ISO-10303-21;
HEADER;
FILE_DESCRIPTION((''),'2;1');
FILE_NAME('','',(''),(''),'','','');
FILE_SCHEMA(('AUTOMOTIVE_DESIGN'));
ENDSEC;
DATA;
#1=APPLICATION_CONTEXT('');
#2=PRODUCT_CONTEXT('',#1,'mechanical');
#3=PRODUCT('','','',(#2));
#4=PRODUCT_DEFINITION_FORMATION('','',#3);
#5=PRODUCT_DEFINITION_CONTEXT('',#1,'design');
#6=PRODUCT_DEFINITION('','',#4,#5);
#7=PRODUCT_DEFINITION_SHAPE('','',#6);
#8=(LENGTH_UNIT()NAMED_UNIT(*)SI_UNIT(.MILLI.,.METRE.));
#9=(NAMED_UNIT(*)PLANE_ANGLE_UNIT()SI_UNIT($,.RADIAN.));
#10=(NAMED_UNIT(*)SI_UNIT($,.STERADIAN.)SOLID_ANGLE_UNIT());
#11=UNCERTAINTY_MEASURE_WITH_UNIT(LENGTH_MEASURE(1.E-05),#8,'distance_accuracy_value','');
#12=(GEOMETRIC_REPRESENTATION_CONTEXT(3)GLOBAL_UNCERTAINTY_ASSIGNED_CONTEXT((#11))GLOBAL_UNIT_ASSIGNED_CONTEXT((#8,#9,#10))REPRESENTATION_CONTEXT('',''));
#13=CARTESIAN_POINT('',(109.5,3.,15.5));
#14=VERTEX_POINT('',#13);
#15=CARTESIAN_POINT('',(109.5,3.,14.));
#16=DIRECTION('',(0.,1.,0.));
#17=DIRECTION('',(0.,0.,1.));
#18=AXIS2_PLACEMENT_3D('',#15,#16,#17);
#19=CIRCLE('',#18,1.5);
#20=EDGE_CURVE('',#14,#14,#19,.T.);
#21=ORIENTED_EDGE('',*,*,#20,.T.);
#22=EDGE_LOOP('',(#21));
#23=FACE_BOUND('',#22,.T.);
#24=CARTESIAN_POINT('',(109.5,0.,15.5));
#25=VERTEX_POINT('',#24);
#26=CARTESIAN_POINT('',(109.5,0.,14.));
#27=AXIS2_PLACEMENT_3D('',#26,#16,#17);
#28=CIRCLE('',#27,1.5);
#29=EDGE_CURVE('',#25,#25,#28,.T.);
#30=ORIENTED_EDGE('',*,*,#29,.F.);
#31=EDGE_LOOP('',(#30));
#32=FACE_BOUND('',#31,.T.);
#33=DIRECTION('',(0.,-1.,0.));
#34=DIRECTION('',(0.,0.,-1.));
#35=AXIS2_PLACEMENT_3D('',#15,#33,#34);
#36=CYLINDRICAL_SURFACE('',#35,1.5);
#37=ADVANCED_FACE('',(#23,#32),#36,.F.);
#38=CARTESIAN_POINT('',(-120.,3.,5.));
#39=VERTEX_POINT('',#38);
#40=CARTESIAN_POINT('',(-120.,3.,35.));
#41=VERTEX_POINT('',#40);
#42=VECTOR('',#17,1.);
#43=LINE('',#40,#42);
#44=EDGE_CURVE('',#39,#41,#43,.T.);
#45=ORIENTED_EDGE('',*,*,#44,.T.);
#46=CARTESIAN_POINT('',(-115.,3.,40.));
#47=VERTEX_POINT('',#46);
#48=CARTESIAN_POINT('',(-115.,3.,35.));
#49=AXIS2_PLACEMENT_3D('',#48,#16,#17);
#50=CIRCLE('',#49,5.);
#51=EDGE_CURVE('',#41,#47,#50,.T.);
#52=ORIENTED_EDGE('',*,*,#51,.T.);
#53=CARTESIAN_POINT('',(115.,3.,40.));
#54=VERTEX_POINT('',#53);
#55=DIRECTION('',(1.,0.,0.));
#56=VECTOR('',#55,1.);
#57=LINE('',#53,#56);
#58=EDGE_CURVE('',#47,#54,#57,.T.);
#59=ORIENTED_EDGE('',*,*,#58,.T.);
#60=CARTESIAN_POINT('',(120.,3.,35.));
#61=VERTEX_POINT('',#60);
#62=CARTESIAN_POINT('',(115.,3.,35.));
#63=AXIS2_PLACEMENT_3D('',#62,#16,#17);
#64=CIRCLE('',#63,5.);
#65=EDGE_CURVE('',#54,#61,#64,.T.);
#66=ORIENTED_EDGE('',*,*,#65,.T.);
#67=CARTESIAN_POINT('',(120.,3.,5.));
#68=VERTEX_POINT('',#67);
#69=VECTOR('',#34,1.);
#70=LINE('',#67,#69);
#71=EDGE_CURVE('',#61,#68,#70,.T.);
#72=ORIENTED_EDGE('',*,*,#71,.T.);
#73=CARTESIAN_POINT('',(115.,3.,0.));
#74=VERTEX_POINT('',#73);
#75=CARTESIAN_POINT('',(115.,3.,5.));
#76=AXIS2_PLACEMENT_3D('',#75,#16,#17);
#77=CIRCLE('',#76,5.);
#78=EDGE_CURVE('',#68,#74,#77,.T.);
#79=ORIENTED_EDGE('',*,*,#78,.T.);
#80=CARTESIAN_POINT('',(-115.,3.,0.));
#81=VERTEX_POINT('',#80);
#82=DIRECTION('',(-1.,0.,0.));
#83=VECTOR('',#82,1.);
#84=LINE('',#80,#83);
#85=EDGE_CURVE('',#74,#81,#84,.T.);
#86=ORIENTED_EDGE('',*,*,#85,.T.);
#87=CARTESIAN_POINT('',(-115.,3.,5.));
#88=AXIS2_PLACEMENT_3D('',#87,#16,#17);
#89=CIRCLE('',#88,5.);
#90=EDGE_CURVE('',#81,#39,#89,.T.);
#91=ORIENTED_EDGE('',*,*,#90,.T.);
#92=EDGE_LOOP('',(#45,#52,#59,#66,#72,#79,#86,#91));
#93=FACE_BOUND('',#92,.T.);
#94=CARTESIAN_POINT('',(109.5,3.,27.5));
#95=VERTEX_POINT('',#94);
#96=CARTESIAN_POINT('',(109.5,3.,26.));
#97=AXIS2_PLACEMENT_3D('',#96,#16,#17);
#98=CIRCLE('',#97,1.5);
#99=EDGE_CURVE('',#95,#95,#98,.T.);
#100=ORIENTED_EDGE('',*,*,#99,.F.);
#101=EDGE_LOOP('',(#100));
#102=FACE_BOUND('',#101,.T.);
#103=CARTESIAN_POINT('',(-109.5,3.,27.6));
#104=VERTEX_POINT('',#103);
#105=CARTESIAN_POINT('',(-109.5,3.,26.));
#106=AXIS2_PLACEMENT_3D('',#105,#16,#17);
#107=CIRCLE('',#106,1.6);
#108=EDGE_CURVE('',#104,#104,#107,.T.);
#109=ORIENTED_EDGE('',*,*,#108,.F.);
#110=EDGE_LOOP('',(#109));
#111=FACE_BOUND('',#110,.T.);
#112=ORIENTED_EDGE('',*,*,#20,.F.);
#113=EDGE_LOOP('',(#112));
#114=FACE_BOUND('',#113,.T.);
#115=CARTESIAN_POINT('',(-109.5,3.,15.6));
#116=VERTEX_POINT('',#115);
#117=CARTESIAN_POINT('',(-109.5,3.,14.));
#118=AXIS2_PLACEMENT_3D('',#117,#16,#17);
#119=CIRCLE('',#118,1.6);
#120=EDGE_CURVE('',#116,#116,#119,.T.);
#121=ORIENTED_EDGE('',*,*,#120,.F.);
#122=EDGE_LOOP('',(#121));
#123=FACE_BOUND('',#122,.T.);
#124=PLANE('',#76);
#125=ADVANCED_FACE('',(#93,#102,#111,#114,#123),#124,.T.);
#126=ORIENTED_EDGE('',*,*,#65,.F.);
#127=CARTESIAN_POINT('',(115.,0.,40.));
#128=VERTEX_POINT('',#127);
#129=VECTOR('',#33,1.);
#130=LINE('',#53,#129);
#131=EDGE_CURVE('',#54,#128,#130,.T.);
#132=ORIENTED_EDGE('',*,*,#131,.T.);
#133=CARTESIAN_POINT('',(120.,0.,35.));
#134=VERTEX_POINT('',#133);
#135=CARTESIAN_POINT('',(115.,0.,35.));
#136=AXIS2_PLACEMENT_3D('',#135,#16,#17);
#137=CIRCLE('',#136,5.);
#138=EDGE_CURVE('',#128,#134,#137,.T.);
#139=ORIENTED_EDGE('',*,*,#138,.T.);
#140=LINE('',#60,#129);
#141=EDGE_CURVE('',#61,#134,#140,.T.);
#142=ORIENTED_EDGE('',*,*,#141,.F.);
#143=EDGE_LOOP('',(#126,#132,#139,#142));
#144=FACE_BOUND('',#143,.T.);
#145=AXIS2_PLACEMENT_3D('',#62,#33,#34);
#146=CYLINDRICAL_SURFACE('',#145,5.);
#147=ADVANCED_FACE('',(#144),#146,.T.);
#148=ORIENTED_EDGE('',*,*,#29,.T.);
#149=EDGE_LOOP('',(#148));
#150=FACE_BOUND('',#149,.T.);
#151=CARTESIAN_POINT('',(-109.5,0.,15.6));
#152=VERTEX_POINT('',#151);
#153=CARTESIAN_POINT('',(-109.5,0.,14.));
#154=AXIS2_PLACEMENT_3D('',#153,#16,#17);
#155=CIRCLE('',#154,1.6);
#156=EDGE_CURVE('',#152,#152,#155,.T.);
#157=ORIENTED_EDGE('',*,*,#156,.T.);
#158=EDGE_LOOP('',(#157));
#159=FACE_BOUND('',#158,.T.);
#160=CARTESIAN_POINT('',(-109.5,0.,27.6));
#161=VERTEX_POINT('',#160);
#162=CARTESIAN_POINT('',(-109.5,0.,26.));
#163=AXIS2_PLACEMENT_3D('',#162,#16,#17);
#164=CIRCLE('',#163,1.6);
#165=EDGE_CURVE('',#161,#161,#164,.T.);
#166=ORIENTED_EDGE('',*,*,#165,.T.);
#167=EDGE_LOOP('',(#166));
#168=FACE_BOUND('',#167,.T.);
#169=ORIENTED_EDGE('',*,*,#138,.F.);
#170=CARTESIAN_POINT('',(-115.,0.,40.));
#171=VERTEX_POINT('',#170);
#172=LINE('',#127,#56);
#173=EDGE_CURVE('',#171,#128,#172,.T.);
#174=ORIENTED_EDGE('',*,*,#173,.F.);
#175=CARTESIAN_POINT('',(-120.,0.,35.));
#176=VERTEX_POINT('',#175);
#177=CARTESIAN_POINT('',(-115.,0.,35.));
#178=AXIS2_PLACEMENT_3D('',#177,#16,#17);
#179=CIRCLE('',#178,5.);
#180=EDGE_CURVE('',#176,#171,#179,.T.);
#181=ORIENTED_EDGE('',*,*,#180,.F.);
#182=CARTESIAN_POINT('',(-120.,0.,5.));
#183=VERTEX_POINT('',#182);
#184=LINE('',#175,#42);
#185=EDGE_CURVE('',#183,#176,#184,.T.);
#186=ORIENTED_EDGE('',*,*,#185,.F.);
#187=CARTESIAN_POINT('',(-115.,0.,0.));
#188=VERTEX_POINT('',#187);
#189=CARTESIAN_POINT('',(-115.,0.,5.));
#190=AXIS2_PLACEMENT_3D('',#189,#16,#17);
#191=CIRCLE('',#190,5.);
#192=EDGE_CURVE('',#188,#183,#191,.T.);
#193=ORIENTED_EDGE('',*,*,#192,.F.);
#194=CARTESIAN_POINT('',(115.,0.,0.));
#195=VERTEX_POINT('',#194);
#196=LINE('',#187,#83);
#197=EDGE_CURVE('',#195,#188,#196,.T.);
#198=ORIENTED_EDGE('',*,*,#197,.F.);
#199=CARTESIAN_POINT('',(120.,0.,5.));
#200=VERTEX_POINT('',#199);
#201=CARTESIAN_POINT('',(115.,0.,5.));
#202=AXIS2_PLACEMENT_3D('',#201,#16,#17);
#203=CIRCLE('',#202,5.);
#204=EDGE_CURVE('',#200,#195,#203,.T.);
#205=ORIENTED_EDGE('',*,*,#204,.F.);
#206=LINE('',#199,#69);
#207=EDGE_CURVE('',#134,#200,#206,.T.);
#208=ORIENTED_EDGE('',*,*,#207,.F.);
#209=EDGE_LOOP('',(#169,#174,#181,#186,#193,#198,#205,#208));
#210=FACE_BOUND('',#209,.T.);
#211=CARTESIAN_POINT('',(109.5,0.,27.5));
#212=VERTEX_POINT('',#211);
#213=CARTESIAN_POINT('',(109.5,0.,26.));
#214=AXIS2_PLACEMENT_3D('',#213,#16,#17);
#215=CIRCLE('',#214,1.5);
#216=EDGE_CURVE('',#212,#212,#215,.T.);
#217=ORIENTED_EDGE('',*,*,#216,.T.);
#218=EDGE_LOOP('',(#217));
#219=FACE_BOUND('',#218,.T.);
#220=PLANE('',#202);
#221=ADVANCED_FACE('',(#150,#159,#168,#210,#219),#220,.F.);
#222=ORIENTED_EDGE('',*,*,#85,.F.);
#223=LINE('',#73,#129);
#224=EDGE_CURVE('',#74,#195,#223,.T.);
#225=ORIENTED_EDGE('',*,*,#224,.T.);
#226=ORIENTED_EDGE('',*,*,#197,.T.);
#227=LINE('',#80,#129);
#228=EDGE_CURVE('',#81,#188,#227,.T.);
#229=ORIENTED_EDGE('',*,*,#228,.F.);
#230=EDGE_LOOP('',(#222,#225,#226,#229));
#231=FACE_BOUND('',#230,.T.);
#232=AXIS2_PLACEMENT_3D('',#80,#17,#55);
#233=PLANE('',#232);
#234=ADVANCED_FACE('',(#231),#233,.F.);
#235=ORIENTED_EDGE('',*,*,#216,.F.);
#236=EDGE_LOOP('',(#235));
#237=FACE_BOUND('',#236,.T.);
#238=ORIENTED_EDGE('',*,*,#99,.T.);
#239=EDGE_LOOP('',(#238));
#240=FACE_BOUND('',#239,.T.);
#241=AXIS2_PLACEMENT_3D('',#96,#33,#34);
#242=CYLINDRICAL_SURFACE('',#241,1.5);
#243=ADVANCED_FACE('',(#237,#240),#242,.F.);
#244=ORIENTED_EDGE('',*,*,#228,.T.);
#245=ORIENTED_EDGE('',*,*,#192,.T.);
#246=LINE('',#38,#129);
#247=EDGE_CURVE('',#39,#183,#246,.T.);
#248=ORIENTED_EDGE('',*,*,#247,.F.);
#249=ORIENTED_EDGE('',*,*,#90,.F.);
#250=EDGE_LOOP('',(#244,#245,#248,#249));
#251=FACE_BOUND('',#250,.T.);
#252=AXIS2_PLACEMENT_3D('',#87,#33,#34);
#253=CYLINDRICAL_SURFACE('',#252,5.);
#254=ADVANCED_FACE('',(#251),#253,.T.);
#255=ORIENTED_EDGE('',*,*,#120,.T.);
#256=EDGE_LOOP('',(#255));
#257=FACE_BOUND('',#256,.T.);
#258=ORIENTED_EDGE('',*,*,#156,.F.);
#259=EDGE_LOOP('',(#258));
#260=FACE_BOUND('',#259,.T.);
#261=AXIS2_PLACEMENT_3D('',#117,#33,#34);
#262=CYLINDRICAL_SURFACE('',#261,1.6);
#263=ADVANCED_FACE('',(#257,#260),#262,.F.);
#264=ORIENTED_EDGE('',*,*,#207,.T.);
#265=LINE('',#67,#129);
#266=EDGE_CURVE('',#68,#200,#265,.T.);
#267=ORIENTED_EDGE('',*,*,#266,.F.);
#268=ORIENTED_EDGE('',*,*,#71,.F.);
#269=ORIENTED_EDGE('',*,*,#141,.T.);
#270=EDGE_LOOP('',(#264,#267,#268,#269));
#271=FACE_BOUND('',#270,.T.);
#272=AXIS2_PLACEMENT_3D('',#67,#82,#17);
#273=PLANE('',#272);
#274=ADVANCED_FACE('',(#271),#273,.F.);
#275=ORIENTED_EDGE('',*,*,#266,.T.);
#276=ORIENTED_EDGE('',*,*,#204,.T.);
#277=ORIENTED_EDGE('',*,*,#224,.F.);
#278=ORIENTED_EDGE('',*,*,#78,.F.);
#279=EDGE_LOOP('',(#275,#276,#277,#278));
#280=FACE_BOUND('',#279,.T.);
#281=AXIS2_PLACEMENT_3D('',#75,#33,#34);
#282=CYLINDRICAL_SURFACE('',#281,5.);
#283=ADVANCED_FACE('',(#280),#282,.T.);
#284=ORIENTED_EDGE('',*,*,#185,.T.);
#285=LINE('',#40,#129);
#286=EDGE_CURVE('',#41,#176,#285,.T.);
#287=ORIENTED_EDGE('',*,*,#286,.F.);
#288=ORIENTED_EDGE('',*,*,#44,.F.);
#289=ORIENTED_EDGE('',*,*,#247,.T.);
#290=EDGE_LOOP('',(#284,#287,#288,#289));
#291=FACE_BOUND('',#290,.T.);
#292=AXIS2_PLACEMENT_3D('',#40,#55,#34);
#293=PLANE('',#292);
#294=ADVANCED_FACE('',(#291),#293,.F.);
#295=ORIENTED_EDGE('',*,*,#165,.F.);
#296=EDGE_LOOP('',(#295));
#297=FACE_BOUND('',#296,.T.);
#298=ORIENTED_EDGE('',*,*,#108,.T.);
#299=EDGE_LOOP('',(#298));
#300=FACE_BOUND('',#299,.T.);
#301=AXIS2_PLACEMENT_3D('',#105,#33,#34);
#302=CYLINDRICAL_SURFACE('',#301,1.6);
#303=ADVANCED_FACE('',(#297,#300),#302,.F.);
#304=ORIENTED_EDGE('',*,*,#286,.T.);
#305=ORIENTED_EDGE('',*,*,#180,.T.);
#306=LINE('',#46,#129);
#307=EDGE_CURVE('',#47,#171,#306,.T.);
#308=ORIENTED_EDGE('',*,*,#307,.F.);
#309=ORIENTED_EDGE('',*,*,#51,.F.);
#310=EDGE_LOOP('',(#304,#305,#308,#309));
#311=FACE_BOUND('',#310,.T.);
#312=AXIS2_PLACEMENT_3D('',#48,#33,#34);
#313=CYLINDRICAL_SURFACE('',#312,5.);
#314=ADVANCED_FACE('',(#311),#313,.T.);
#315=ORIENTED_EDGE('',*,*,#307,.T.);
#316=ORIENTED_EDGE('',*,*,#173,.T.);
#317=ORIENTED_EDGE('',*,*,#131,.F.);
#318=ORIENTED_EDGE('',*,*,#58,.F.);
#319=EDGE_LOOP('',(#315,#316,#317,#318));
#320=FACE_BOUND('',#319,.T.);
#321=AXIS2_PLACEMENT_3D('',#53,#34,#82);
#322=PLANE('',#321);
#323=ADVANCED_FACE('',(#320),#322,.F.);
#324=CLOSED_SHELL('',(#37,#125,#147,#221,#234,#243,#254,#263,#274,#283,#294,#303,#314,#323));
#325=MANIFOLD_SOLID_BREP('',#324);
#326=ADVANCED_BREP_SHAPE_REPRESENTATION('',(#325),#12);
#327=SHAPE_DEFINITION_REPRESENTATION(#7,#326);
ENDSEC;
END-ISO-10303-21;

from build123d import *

# Parameters (mm, degrees)
SKETCH_1_R      = 1.6
SKETCH_1_R_2    = 1.5
EXTRUDE_1_DEPTH = 3


with BuildPart() as part:
    # 草图1 → 凸台-拉伸1 (new body)
    with BuildSketch(Plane(origin=(0, 0, 0), x_dir=(1, 0, 0), z_dir=(0, 1, 0))):
        with BuildLine():
            Line((-115, 0), (115, 0))
            ThreePointArc((115, 0), (118.535533906, -1.464466094), (120, -5))
            Line((120, -5), (120, -35))
            ThreePointArc((120, -35), (118.535533906, -38.535533906), (115, -40))
            Line((115, -40), (-115, -40))
            ThreePointArc((-115, -40), (-118.535533906, -38.535533906), (-120, -35))
            Line((-120, -35), (-120, -5))
            ThreePointArc((-120, -5), (-118.535533906, -1.464466094), (-115, 0))
        make_face()
        with Locations(Location((-109.5, -26, 0), (0, 0, 270))):
            Circle(SKETCH_1_R, mode=Mode.SUBTRACT)
        with Locations(Location((109.5, -14, 0), (0, 0, 270))):
            Circle(SKETCH_1_R_2, mode=Mode.SUBTRACT)
        with Locations(Location((109.5, -26, 0), (0, 0, 270))):
            Circle(SKETCH_1_R_2, mode=Mode.SUBTRACT)
        with Locations(Location((-109.5, -14, 0), (0, 0, 270))):
            Circle(SKETCH_1_R, mode=Mode.SUBTRACT)
    extrude(amount=EXTRUDE_1_DEPTH)


solid = part.part
